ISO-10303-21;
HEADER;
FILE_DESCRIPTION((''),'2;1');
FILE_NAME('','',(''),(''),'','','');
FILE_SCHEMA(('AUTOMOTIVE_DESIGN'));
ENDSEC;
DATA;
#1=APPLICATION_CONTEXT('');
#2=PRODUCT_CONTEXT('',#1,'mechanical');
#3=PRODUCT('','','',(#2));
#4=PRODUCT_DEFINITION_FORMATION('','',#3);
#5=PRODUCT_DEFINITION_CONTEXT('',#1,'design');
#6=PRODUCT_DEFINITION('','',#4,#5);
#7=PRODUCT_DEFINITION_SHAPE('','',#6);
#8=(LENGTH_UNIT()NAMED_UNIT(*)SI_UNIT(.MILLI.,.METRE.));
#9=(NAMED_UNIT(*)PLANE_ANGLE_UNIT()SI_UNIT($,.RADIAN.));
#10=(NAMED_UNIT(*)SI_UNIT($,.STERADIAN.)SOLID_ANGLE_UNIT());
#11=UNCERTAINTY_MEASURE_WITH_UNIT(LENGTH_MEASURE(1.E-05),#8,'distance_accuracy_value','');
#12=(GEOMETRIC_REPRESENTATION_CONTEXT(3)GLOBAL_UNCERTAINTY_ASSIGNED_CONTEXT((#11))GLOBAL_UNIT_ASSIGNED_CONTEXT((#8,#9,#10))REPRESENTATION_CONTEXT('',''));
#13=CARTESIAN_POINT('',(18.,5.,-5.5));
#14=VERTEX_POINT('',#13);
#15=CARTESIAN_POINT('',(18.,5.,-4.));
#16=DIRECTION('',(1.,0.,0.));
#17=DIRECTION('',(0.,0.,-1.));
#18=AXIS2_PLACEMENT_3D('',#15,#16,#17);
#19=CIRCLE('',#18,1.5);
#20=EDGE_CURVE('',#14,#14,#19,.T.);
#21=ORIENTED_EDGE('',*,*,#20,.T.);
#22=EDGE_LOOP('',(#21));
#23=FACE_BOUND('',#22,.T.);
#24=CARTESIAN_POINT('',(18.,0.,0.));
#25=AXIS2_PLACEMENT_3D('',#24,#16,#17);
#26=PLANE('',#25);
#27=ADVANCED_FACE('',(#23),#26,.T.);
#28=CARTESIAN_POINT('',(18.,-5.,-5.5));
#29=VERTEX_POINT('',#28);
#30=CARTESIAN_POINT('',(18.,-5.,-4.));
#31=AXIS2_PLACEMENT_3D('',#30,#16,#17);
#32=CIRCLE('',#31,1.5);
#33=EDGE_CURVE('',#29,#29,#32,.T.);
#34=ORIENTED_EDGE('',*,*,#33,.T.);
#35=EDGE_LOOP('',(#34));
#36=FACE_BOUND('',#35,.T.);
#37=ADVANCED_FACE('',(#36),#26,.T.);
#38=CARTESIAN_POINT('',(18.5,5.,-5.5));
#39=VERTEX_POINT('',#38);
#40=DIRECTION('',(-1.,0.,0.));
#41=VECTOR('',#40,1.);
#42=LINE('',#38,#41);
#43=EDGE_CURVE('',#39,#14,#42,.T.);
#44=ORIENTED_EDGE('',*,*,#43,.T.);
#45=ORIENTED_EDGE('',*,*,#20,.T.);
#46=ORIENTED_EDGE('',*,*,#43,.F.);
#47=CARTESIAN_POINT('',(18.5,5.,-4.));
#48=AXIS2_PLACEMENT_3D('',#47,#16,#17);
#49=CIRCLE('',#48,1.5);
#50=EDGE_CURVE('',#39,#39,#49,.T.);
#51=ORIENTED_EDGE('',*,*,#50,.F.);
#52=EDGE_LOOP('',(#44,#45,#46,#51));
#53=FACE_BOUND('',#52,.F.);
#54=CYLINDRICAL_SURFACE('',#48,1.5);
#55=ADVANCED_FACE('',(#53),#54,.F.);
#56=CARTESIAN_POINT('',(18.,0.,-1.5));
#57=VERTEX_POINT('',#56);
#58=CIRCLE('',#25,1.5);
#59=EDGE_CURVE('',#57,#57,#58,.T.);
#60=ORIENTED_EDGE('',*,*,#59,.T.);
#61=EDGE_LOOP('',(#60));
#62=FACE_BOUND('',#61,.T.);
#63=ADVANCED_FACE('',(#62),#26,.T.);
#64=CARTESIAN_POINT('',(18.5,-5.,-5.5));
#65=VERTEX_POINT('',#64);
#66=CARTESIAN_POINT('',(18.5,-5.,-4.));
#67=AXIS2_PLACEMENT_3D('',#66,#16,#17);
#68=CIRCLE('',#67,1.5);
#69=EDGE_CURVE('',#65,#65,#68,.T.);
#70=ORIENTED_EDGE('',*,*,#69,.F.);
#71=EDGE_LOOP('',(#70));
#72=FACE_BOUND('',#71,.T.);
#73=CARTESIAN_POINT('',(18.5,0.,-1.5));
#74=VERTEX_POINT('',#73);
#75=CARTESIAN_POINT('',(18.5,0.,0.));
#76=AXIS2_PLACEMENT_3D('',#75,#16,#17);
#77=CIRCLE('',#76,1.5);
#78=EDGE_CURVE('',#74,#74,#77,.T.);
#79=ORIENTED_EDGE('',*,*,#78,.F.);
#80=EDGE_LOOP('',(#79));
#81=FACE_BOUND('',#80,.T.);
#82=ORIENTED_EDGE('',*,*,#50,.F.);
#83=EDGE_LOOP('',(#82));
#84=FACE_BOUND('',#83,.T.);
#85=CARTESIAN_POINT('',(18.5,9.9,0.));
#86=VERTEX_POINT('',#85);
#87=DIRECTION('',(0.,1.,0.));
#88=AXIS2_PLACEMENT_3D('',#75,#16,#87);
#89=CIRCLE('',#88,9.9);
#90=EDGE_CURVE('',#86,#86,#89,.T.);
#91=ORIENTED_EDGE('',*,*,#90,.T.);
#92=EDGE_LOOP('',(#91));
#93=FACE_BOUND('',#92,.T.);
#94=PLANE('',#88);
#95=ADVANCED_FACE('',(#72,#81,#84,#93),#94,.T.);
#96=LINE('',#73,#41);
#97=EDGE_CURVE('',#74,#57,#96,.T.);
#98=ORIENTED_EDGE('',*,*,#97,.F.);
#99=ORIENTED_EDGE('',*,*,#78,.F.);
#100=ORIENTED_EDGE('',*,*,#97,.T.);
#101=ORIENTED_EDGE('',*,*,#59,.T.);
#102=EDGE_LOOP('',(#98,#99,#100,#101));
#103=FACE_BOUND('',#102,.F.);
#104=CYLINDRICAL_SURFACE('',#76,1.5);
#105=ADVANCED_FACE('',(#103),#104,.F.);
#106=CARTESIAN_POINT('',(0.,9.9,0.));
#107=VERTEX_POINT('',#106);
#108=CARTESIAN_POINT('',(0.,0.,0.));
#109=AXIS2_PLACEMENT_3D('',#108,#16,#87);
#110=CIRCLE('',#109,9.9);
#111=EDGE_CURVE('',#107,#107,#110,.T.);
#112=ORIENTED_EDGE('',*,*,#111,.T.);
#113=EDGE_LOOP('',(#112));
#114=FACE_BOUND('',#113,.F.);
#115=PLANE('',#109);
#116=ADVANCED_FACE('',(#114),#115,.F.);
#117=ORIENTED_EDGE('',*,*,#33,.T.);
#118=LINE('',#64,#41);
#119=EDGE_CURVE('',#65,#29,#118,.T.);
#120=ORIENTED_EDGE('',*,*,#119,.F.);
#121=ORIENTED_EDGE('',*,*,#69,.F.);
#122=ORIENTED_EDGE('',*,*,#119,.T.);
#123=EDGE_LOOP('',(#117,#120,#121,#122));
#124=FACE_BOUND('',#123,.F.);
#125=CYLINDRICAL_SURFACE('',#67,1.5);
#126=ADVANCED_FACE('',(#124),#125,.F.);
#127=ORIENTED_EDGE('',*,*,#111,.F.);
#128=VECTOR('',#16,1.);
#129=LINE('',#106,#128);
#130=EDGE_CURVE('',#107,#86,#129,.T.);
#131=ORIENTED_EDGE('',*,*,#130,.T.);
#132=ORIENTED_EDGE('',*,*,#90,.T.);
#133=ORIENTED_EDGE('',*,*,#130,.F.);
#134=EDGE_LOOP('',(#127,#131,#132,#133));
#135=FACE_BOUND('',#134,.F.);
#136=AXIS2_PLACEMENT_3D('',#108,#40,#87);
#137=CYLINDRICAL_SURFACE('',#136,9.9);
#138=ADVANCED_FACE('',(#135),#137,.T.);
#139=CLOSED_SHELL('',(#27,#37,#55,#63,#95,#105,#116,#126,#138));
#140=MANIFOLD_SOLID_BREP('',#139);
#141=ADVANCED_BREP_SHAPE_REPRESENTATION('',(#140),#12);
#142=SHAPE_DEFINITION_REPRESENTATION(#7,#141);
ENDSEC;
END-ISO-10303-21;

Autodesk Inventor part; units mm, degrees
ref_plane "YZ Plane" through (0, 0, 0) normal (1, 0, 0) x (0, 1, 0)
ref_plane "XZ Plane" through (0, 0, 0) normal (0, 1, 0) x (-1, 0, 0)
ref_plane "XY Plane" through (0, 0, 0) normal (0, 0, 1) x (1, 0, 0)
sketch "スケッチ1" plane through (0, 0, 0) normal (0, 0, 1) x (1, 0, 0)
  point P0 (0, 0)
sketch "スケッチ2" plane through (0, 0, 0) normal (1, 0, 0) x (0, 1, 0)
  circle A0 centre (0, 0) radius 9.9
  dimension "d0" = 19.8
extrude "押し出し1" add sketch "スケッチ2" along normal blind 18.5
sketch "スケッチ3" plane through (18.5, 0, 0) normal (1, 0, 0) x (0, 0, -1)
  circle A0 centre (0, 0) radius 1.5
  dimension "d3" = 3
extrude "押し出し2" cut sketch "スケッチ3" against normal blind 0.5
sketch "スケッチ4" plane through (18.5, 0, 0) normal (1, 0, 0) x (0, 0, -1)
  circle A0 centre (4, 5) radius 1.5
  circle A1 centre (4, -5) radius 1.5
  point P0 (0, 0)
  dimension "d6" = 3
  dimension "d7" = 3
extrude "押し出し3" cut sketch "スケッチ4" against normal blind 0.5
properties part number "stepping_motor" material "アルミニウム"
